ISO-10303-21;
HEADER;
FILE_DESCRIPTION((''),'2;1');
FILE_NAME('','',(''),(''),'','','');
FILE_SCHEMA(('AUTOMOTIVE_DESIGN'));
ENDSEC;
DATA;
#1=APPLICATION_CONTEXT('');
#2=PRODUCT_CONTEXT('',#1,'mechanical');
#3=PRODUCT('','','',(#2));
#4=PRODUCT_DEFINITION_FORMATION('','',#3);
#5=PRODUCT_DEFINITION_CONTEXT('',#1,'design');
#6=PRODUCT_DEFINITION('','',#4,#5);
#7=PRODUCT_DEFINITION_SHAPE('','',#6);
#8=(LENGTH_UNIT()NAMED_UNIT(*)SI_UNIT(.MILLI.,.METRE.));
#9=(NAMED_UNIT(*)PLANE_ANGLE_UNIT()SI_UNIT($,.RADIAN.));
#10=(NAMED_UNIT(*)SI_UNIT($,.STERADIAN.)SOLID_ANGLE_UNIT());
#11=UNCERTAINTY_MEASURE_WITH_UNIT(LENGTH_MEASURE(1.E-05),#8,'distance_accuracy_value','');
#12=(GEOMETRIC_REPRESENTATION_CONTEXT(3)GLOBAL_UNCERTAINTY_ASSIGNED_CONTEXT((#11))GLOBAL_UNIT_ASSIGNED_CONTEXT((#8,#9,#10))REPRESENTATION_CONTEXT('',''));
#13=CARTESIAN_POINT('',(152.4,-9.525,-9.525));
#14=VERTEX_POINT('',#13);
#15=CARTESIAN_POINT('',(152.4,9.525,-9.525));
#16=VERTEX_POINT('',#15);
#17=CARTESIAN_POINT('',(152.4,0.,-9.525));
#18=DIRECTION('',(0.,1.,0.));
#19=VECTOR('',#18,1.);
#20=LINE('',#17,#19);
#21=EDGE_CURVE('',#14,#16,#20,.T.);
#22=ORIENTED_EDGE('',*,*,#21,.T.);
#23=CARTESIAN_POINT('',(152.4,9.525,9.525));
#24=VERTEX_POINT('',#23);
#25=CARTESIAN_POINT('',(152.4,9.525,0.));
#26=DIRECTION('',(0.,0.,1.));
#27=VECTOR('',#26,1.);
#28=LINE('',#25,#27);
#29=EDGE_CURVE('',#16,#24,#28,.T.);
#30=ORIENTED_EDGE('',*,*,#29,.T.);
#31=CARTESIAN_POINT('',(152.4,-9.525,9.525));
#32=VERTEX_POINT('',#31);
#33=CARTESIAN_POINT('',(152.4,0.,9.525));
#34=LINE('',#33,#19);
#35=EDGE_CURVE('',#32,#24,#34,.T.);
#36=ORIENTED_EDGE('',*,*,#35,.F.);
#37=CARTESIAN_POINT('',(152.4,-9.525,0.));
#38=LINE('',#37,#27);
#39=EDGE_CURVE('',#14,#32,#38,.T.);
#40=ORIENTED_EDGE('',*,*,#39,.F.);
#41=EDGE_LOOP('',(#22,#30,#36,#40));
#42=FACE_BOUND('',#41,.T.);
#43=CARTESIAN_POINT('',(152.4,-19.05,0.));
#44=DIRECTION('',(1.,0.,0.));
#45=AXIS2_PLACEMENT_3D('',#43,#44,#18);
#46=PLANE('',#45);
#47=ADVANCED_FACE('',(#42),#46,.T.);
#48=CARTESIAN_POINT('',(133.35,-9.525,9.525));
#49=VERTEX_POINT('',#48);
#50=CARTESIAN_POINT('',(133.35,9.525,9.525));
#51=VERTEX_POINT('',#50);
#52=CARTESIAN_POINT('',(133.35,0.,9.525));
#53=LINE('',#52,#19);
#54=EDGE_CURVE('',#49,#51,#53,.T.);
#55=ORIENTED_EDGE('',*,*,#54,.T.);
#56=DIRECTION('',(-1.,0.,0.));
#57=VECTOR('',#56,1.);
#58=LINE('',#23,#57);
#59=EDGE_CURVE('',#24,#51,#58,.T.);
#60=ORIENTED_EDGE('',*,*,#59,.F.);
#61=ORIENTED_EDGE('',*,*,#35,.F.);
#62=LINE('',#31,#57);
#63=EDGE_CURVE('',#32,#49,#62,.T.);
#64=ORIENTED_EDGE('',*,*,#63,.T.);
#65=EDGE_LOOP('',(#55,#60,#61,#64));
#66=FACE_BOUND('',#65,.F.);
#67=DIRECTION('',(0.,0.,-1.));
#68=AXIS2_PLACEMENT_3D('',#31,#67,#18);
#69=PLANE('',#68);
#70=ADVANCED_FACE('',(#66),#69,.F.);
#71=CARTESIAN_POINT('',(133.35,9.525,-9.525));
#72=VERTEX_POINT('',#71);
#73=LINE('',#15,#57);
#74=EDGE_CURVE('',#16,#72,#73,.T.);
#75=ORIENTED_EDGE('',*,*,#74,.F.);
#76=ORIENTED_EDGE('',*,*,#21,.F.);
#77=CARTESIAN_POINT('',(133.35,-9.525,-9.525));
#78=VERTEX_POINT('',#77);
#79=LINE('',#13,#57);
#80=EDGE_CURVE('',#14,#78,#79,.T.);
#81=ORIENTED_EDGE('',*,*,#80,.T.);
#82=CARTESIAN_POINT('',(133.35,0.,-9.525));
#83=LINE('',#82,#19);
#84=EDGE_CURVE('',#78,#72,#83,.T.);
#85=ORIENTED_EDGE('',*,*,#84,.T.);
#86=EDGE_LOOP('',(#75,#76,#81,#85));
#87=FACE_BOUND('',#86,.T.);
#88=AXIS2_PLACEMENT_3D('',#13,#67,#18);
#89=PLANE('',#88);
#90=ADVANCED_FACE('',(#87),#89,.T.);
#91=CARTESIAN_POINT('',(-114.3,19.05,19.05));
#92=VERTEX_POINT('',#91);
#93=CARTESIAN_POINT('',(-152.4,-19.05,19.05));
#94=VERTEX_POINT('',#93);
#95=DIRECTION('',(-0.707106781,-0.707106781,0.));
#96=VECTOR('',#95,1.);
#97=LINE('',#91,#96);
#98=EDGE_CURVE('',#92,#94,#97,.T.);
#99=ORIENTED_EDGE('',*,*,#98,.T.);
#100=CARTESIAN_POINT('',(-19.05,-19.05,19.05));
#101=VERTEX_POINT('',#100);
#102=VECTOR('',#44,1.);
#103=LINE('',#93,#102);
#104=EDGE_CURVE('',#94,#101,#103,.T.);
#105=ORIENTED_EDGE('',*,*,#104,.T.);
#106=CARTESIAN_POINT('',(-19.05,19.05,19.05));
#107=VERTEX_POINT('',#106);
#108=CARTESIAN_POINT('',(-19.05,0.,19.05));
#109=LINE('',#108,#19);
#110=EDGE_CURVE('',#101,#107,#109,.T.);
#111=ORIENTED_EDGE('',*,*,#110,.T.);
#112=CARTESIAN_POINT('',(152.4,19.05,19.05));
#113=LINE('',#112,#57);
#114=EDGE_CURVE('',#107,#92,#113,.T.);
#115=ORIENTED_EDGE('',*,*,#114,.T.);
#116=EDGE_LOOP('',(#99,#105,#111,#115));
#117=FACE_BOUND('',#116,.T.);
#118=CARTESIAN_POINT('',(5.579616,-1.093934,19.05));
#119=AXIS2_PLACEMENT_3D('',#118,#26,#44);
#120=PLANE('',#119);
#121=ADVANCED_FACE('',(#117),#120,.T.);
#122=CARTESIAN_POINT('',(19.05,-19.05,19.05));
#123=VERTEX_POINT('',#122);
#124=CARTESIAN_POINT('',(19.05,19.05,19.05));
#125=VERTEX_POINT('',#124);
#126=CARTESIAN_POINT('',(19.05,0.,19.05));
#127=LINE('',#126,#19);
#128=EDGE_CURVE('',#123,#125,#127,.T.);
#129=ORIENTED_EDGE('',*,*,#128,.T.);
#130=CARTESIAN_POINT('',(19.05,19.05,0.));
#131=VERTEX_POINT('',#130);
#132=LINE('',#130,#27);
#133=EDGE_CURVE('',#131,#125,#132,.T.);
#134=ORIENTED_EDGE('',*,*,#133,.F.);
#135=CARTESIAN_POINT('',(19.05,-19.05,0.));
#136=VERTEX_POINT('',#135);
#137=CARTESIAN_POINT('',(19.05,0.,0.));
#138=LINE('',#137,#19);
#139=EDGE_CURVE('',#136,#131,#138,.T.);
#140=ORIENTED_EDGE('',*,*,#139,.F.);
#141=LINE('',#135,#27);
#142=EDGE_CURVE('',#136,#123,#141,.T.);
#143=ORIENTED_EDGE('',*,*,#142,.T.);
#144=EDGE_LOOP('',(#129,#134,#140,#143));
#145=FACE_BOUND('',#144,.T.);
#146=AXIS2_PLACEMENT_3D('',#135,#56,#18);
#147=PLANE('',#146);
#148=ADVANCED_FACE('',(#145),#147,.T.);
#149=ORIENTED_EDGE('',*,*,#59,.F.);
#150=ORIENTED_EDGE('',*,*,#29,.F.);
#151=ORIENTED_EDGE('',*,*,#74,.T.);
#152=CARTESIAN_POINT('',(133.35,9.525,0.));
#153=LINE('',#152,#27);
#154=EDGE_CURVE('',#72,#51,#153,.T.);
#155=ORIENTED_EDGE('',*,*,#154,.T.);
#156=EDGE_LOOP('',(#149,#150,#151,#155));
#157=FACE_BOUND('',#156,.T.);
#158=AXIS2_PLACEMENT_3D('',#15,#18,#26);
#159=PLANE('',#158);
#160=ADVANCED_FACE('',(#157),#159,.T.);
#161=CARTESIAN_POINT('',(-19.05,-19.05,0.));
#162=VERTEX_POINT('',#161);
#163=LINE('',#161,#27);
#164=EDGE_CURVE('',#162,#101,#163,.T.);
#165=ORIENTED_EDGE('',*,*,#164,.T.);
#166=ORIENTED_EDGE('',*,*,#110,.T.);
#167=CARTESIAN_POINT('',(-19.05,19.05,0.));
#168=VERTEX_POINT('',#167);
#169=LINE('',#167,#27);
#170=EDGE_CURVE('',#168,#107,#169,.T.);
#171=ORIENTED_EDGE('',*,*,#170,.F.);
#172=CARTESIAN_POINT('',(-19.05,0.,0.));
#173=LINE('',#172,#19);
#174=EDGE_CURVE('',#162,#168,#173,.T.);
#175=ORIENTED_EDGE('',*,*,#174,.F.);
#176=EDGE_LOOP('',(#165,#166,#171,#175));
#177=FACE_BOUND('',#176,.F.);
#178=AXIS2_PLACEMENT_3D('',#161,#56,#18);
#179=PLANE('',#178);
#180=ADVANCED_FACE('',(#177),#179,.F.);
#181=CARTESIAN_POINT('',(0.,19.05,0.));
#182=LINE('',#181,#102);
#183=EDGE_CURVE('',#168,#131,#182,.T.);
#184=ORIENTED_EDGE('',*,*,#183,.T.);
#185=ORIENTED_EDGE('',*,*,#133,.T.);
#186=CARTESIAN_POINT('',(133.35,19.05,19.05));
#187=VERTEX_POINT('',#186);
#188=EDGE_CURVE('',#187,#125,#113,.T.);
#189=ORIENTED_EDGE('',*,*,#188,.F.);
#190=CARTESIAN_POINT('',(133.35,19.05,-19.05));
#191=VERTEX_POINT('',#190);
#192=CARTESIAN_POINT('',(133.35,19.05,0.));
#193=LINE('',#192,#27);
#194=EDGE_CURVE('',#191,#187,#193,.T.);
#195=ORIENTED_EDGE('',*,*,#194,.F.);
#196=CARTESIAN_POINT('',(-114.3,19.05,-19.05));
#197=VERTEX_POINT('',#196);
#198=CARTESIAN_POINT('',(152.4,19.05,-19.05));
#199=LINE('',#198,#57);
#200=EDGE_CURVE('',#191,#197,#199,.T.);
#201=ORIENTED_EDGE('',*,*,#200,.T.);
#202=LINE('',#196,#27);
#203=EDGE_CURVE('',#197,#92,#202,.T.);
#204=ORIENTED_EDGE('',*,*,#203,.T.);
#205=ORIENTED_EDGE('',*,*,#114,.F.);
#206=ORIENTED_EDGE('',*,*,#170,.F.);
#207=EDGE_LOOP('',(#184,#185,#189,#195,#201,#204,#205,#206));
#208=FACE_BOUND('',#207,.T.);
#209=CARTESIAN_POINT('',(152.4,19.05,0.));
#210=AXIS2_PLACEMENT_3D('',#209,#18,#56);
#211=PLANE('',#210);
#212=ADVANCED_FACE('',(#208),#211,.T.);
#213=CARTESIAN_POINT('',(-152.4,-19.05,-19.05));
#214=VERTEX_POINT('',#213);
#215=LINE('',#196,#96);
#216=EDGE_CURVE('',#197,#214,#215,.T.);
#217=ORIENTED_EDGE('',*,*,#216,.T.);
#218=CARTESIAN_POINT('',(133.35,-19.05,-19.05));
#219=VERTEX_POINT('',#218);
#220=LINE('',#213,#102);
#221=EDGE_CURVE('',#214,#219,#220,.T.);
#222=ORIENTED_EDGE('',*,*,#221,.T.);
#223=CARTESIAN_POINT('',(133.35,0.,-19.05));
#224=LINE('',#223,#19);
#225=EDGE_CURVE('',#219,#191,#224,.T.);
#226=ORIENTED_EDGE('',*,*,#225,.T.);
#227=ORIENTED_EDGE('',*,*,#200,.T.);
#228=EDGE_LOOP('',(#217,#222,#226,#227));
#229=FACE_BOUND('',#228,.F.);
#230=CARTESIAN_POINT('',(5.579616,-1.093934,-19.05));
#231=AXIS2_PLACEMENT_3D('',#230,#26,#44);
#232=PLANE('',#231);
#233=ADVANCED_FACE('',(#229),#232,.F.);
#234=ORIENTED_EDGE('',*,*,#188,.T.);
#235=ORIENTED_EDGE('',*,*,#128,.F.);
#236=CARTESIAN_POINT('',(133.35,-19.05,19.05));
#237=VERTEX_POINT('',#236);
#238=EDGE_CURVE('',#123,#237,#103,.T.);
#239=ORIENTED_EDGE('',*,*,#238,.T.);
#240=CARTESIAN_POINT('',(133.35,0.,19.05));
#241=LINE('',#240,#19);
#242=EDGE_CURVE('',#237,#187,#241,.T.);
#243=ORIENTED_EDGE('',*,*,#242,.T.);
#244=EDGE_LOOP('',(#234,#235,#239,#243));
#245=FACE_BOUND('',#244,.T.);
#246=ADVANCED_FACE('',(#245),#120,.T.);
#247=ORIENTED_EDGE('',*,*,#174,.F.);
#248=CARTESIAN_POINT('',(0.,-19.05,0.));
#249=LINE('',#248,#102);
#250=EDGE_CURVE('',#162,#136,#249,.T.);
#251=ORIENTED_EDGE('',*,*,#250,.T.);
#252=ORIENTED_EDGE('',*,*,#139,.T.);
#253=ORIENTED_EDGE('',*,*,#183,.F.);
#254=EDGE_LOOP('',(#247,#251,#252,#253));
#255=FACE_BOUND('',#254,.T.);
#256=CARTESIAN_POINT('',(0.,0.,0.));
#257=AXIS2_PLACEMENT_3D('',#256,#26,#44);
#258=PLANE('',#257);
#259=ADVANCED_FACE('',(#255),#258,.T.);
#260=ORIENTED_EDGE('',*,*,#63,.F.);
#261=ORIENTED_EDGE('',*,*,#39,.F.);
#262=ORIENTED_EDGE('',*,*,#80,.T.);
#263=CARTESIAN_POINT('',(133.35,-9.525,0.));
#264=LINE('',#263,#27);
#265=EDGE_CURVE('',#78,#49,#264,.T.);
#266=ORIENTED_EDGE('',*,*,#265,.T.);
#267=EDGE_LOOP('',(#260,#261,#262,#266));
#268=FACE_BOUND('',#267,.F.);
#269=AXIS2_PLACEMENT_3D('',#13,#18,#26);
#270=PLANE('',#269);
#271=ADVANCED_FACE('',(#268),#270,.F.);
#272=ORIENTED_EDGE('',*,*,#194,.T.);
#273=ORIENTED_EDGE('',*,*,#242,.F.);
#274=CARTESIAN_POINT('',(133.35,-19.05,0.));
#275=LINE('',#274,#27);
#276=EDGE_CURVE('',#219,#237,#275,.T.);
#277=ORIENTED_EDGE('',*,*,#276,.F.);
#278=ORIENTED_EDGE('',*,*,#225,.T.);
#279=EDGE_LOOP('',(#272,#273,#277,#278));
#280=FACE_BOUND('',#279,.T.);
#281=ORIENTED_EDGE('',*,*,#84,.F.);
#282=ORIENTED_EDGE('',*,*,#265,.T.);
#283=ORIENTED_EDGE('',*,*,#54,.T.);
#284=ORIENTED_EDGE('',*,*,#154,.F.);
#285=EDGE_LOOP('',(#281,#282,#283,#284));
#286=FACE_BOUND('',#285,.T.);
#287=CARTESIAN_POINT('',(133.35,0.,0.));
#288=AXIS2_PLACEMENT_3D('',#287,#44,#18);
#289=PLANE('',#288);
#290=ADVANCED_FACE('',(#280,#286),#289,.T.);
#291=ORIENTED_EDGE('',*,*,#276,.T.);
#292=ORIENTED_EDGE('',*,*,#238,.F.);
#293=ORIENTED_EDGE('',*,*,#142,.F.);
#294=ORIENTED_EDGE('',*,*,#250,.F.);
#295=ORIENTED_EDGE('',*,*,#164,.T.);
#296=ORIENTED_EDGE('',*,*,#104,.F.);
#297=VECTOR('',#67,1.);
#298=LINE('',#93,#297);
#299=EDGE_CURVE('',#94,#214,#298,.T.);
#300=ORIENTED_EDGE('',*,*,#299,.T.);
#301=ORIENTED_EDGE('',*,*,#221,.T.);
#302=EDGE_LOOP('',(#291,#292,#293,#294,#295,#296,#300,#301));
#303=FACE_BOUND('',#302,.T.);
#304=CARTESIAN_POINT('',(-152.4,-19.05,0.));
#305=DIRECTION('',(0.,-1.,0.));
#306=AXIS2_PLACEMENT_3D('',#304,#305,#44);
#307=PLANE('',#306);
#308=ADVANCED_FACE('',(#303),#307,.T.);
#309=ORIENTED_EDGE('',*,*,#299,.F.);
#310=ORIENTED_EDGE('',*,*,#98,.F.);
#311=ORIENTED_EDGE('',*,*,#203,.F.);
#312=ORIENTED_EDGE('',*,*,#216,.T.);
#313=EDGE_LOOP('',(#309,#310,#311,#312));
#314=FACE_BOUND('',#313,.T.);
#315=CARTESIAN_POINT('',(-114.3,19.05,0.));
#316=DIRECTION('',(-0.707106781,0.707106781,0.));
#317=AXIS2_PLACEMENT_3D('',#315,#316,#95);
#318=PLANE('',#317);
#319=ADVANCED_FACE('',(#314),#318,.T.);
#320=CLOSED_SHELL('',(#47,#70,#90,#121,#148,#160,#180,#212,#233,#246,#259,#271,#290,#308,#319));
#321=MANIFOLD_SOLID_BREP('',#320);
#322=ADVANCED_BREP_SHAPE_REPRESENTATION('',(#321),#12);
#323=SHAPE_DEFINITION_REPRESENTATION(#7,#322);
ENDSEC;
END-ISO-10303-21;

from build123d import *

# Parameters (mm, degrees)
F1_DEPTH = 19.05
F2_W     = 38.1
F2_H     = 38.1
F3_DEPTH = 19.05
F4_W     = 38.1
F4_H     = 38.1
F4_W_2   = 19.05
F4_H_2   = 19.05
F5_DEPTH = 19.05


with BuildPart() as f1:
    # F0 (on Top) → F1 (new body, symmetric)
    with BuildSketch(Plane.XY):
        Polygon((152.4, -19.05), (152.4, 19.05), (-114.3, 19.05), (-152.4, -19.05), align=None)
    extrude(amount=F1_DEPTH, both=True)

    # F2 (on Top) → F3 (cut)
    with BuildSketch(Plane.XY):
        Rectangle(F2_W, F2_H)
    extrude(amount=F3_DEPTH, mode=Mode.SUBTRACT)

    # F4 (on face) → F5 (cut)
    with BuildSketch(Plane.YZ.offset(152.4)):
        Rectangle(F4_W, F4_H)
        Rectangle(F4_W_2, F4_H_2, mode=Mode.SUBTRACT)
    extrude(amount=-F5_DEPTH, mode=Mode.SUBTRACT)


solid = f1.part
